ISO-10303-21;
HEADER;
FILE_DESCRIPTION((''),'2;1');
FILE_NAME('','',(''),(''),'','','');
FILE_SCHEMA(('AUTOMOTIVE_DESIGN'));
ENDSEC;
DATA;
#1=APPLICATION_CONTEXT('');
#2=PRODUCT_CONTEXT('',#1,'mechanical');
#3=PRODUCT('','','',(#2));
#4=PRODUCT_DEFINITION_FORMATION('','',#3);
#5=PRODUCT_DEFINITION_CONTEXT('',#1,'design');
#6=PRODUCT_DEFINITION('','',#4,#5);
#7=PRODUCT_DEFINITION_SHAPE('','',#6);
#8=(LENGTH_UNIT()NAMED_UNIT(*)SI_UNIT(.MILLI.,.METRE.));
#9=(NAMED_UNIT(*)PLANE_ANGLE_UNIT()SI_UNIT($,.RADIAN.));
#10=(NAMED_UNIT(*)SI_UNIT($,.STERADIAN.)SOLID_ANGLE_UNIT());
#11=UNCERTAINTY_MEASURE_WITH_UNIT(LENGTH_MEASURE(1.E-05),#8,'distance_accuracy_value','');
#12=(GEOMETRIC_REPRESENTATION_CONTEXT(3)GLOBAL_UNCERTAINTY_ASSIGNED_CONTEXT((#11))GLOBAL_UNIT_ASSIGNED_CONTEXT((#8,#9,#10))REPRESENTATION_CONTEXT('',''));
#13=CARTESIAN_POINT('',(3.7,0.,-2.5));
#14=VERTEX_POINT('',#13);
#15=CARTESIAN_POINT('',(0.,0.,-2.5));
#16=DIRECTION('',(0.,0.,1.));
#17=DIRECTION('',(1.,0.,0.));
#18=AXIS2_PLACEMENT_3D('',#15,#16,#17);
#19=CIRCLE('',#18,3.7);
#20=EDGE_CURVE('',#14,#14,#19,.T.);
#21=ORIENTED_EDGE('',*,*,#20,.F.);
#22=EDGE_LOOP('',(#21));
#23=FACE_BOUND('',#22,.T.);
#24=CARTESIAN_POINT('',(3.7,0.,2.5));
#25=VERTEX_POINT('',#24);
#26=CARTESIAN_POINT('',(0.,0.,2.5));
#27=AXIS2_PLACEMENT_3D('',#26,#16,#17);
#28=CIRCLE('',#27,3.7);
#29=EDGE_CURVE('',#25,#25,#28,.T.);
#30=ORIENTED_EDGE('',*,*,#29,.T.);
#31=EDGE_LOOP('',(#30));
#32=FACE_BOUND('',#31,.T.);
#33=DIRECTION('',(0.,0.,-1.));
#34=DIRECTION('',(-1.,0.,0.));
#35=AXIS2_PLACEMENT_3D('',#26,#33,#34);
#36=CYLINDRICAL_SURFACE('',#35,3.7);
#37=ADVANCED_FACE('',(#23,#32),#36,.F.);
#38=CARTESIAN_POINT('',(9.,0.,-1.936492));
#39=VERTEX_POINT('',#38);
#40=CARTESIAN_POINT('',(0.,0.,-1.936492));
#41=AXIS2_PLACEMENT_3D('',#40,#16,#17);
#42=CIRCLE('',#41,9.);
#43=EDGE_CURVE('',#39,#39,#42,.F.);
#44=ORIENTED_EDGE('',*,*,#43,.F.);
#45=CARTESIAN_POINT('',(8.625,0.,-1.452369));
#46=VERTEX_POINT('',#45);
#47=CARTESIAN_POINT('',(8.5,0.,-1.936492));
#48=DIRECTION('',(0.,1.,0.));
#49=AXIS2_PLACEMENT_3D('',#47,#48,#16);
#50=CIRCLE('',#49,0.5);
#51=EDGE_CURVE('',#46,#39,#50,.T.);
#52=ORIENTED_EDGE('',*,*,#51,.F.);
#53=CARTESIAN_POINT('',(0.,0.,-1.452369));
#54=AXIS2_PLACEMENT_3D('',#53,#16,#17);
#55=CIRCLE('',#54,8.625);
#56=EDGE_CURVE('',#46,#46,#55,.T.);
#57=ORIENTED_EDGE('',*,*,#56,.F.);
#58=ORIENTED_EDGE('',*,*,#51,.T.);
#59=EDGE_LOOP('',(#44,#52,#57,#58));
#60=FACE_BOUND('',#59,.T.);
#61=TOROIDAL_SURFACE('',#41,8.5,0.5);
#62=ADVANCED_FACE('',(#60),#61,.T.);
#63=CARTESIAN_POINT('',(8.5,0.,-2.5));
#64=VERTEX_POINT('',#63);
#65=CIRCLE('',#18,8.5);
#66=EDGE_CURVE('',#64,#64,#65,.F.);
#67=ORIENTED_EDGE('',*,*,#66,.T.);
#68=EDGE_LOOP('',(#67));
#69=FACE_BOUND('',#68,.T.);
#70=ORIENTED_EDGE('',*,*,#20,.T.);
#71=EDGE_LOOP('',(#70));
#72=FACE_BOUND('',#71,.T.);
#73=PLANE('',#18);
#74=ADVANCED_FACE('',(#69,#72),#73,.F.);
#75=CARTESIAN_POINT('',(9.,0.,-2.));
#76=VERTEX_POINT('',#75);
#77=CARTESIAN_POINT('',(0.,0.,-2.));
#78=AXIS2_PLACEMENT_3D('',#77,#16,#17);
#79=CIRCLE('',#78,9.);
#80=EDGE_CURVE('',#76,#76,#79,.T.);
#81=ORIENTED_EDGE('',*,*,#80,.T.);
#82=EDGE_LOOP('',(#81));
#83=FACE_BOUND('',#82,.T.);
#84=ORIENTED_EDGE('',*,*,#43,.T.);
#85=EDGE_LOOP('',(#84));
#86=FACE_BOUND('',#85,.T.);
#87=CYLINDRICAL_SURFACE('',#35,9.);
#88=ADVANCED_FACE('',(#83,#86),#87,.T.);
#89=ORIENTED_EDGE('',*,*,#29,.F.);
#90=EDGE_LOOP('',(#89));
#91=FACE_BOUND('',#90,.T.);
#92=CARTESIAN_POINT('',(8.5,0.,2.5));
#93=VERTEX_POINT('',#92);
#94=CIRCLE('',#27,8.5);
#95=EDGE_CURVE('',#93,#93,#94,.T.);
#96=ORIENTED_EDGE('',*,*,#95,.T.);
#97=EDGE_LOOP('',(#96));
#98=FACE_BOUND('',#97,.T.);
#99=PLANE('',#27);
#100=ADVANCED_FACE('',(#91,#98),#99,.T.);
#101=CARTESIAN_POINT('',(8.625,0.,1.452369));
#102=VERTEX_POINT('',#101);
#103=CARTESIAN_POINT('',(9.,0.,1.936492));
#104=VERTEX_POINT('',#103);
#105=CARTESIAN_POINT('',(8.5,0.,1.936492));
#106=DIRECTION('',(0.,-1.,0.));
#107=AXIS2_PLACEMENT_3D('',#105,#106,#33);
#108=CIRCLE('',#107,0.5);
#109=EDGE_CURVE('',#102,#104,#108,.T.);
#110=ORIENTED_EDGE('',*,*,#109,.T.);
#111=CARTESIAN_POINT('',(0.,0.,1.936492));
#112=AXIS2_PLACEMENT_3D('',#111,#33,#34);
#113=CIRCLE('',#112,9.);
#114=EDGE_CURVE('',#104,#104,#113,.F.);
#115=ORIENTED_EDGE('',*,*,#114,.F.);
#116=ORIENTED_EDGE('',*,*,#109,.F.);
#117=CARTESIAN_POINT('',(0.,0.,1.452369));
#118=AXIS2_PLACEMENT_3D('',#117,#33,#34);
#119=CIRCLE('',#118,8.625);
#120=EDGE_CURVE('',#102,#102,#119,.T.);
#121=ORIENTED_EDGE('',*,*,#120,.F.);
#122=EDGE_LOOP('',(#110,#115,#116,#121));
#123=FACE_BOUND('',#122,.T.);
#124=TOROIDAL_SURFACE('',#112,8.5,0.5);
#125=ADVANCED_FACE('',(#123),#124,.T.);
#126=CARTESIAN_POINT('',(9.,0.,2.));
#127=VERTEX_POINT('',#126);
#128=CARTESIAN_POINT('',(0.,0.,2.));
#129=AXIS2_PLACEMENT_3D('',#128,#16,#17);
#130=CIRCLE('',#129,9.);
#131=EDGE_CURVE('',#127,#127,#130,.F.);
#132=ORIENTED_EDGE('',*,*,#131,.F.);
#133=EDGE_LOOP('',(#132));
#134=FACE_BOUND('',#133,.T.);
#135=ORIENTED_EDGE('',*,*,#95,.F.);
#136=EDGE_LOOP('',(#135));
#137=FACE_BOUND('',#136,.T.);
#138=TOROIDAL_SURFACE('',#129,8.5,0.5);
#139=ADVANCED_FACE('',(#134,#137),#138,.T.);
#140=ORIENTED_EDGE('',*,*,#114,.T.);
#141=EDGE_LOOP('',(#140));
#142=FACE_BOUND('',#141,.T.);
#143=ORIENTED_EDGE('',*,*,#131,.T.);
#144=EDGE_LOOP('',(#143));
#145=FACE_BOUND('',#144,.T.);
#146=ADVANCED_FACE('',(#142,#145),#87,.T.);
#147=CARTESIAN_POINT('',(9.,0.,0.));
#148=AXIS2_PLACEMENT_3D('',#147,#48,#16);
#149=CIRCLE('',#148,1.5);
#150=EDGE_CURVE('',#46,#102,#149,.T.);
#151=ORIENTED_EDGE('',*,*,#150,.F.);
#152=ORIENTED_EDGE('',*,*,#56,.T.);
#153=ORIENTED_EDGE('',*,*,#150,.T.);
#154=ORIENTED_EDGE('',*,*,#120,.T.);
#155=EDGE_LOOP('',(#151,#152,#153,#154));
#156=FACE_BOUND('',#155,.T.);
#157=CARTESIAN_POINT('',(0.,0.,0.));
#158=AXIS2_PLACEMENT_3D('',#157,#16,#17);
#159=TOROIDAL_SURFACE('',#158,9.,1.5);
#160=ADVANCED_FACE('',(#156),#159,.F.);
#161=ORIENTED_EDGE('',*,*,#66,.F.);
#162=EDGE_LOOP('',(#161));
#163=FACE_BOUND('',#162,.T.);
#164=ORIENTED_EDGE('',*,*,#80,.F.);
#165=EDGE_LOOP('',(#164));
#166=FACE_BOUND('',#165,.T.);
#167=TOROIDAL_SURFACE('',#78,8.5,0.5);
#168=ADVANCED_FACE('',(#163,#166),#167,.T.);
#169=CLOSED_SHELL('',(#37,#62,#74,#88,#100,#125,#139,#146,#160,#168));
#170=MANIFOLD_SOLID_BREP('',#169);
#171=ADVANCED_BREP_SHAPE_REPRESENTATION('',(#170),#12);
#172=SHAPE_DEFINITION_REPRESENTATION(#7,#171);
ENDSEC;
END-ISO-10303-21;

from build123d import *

# Parameters (mm, degrees)
SKETCH_1_R      = 9
SKETCH_1_R_2    = 3.7
EXTRUDE_1_DEPTH = 2.5
SKETCH_3_R      = 1.5
FILLET_1_R      = 0.5
FILLET_2_R      = 0.5


with BuildPart() as part:
    # Эскиз1 → Бобышка-Вытянуть1 (new, symmetric)
    with BuildSketch(Plane.XY):
        Circle(SKETCH_1_R)
        Circle(SKETCH_1_R_2, mode=Mode.SUBTRACT)
    extrude(amount=EXTRUDE_1_DEPTH, both=True)

    # Вырез-По траектории1: sweep along a path in Эскиз4
    with BuildLine(Plane.XY) as sweep_1_path:
        CenterArc((0, 0), 9, 0, 360)
    # Эскиз3 → Вырез-По траектории1 (sweep, cut)
    with BuildSketch(Plane(origin=(0, 0, 0), x_dir=(1, 0, 0), z_dir=(0, 1, 0))):
        with Locations((9, 0)):
            Circle(SKETCH_3_R)
    sweep(path=sweep_1_path.line, mode=Mode.SUBTRACT)

    # Скругление1
    fillet_1_edges = [part.edges().sort_by_distance(p)[0] for p in [
        (-9, 0, -2.5),
        (-9, 0, 2.5),
    ]]
    fillet(fillet_1_edges, radius=FILLET_1_R)

    # Скругление2
    fillet_2_edges = [part.edges().sort_by_distance(p)[0] for p in [
        (-9, 0, 1.5),
        (-9, 0, -1.5),
    ]]
    fillet(fillet_2_edges, radius=FILLET_2_R)


solid = part.part
